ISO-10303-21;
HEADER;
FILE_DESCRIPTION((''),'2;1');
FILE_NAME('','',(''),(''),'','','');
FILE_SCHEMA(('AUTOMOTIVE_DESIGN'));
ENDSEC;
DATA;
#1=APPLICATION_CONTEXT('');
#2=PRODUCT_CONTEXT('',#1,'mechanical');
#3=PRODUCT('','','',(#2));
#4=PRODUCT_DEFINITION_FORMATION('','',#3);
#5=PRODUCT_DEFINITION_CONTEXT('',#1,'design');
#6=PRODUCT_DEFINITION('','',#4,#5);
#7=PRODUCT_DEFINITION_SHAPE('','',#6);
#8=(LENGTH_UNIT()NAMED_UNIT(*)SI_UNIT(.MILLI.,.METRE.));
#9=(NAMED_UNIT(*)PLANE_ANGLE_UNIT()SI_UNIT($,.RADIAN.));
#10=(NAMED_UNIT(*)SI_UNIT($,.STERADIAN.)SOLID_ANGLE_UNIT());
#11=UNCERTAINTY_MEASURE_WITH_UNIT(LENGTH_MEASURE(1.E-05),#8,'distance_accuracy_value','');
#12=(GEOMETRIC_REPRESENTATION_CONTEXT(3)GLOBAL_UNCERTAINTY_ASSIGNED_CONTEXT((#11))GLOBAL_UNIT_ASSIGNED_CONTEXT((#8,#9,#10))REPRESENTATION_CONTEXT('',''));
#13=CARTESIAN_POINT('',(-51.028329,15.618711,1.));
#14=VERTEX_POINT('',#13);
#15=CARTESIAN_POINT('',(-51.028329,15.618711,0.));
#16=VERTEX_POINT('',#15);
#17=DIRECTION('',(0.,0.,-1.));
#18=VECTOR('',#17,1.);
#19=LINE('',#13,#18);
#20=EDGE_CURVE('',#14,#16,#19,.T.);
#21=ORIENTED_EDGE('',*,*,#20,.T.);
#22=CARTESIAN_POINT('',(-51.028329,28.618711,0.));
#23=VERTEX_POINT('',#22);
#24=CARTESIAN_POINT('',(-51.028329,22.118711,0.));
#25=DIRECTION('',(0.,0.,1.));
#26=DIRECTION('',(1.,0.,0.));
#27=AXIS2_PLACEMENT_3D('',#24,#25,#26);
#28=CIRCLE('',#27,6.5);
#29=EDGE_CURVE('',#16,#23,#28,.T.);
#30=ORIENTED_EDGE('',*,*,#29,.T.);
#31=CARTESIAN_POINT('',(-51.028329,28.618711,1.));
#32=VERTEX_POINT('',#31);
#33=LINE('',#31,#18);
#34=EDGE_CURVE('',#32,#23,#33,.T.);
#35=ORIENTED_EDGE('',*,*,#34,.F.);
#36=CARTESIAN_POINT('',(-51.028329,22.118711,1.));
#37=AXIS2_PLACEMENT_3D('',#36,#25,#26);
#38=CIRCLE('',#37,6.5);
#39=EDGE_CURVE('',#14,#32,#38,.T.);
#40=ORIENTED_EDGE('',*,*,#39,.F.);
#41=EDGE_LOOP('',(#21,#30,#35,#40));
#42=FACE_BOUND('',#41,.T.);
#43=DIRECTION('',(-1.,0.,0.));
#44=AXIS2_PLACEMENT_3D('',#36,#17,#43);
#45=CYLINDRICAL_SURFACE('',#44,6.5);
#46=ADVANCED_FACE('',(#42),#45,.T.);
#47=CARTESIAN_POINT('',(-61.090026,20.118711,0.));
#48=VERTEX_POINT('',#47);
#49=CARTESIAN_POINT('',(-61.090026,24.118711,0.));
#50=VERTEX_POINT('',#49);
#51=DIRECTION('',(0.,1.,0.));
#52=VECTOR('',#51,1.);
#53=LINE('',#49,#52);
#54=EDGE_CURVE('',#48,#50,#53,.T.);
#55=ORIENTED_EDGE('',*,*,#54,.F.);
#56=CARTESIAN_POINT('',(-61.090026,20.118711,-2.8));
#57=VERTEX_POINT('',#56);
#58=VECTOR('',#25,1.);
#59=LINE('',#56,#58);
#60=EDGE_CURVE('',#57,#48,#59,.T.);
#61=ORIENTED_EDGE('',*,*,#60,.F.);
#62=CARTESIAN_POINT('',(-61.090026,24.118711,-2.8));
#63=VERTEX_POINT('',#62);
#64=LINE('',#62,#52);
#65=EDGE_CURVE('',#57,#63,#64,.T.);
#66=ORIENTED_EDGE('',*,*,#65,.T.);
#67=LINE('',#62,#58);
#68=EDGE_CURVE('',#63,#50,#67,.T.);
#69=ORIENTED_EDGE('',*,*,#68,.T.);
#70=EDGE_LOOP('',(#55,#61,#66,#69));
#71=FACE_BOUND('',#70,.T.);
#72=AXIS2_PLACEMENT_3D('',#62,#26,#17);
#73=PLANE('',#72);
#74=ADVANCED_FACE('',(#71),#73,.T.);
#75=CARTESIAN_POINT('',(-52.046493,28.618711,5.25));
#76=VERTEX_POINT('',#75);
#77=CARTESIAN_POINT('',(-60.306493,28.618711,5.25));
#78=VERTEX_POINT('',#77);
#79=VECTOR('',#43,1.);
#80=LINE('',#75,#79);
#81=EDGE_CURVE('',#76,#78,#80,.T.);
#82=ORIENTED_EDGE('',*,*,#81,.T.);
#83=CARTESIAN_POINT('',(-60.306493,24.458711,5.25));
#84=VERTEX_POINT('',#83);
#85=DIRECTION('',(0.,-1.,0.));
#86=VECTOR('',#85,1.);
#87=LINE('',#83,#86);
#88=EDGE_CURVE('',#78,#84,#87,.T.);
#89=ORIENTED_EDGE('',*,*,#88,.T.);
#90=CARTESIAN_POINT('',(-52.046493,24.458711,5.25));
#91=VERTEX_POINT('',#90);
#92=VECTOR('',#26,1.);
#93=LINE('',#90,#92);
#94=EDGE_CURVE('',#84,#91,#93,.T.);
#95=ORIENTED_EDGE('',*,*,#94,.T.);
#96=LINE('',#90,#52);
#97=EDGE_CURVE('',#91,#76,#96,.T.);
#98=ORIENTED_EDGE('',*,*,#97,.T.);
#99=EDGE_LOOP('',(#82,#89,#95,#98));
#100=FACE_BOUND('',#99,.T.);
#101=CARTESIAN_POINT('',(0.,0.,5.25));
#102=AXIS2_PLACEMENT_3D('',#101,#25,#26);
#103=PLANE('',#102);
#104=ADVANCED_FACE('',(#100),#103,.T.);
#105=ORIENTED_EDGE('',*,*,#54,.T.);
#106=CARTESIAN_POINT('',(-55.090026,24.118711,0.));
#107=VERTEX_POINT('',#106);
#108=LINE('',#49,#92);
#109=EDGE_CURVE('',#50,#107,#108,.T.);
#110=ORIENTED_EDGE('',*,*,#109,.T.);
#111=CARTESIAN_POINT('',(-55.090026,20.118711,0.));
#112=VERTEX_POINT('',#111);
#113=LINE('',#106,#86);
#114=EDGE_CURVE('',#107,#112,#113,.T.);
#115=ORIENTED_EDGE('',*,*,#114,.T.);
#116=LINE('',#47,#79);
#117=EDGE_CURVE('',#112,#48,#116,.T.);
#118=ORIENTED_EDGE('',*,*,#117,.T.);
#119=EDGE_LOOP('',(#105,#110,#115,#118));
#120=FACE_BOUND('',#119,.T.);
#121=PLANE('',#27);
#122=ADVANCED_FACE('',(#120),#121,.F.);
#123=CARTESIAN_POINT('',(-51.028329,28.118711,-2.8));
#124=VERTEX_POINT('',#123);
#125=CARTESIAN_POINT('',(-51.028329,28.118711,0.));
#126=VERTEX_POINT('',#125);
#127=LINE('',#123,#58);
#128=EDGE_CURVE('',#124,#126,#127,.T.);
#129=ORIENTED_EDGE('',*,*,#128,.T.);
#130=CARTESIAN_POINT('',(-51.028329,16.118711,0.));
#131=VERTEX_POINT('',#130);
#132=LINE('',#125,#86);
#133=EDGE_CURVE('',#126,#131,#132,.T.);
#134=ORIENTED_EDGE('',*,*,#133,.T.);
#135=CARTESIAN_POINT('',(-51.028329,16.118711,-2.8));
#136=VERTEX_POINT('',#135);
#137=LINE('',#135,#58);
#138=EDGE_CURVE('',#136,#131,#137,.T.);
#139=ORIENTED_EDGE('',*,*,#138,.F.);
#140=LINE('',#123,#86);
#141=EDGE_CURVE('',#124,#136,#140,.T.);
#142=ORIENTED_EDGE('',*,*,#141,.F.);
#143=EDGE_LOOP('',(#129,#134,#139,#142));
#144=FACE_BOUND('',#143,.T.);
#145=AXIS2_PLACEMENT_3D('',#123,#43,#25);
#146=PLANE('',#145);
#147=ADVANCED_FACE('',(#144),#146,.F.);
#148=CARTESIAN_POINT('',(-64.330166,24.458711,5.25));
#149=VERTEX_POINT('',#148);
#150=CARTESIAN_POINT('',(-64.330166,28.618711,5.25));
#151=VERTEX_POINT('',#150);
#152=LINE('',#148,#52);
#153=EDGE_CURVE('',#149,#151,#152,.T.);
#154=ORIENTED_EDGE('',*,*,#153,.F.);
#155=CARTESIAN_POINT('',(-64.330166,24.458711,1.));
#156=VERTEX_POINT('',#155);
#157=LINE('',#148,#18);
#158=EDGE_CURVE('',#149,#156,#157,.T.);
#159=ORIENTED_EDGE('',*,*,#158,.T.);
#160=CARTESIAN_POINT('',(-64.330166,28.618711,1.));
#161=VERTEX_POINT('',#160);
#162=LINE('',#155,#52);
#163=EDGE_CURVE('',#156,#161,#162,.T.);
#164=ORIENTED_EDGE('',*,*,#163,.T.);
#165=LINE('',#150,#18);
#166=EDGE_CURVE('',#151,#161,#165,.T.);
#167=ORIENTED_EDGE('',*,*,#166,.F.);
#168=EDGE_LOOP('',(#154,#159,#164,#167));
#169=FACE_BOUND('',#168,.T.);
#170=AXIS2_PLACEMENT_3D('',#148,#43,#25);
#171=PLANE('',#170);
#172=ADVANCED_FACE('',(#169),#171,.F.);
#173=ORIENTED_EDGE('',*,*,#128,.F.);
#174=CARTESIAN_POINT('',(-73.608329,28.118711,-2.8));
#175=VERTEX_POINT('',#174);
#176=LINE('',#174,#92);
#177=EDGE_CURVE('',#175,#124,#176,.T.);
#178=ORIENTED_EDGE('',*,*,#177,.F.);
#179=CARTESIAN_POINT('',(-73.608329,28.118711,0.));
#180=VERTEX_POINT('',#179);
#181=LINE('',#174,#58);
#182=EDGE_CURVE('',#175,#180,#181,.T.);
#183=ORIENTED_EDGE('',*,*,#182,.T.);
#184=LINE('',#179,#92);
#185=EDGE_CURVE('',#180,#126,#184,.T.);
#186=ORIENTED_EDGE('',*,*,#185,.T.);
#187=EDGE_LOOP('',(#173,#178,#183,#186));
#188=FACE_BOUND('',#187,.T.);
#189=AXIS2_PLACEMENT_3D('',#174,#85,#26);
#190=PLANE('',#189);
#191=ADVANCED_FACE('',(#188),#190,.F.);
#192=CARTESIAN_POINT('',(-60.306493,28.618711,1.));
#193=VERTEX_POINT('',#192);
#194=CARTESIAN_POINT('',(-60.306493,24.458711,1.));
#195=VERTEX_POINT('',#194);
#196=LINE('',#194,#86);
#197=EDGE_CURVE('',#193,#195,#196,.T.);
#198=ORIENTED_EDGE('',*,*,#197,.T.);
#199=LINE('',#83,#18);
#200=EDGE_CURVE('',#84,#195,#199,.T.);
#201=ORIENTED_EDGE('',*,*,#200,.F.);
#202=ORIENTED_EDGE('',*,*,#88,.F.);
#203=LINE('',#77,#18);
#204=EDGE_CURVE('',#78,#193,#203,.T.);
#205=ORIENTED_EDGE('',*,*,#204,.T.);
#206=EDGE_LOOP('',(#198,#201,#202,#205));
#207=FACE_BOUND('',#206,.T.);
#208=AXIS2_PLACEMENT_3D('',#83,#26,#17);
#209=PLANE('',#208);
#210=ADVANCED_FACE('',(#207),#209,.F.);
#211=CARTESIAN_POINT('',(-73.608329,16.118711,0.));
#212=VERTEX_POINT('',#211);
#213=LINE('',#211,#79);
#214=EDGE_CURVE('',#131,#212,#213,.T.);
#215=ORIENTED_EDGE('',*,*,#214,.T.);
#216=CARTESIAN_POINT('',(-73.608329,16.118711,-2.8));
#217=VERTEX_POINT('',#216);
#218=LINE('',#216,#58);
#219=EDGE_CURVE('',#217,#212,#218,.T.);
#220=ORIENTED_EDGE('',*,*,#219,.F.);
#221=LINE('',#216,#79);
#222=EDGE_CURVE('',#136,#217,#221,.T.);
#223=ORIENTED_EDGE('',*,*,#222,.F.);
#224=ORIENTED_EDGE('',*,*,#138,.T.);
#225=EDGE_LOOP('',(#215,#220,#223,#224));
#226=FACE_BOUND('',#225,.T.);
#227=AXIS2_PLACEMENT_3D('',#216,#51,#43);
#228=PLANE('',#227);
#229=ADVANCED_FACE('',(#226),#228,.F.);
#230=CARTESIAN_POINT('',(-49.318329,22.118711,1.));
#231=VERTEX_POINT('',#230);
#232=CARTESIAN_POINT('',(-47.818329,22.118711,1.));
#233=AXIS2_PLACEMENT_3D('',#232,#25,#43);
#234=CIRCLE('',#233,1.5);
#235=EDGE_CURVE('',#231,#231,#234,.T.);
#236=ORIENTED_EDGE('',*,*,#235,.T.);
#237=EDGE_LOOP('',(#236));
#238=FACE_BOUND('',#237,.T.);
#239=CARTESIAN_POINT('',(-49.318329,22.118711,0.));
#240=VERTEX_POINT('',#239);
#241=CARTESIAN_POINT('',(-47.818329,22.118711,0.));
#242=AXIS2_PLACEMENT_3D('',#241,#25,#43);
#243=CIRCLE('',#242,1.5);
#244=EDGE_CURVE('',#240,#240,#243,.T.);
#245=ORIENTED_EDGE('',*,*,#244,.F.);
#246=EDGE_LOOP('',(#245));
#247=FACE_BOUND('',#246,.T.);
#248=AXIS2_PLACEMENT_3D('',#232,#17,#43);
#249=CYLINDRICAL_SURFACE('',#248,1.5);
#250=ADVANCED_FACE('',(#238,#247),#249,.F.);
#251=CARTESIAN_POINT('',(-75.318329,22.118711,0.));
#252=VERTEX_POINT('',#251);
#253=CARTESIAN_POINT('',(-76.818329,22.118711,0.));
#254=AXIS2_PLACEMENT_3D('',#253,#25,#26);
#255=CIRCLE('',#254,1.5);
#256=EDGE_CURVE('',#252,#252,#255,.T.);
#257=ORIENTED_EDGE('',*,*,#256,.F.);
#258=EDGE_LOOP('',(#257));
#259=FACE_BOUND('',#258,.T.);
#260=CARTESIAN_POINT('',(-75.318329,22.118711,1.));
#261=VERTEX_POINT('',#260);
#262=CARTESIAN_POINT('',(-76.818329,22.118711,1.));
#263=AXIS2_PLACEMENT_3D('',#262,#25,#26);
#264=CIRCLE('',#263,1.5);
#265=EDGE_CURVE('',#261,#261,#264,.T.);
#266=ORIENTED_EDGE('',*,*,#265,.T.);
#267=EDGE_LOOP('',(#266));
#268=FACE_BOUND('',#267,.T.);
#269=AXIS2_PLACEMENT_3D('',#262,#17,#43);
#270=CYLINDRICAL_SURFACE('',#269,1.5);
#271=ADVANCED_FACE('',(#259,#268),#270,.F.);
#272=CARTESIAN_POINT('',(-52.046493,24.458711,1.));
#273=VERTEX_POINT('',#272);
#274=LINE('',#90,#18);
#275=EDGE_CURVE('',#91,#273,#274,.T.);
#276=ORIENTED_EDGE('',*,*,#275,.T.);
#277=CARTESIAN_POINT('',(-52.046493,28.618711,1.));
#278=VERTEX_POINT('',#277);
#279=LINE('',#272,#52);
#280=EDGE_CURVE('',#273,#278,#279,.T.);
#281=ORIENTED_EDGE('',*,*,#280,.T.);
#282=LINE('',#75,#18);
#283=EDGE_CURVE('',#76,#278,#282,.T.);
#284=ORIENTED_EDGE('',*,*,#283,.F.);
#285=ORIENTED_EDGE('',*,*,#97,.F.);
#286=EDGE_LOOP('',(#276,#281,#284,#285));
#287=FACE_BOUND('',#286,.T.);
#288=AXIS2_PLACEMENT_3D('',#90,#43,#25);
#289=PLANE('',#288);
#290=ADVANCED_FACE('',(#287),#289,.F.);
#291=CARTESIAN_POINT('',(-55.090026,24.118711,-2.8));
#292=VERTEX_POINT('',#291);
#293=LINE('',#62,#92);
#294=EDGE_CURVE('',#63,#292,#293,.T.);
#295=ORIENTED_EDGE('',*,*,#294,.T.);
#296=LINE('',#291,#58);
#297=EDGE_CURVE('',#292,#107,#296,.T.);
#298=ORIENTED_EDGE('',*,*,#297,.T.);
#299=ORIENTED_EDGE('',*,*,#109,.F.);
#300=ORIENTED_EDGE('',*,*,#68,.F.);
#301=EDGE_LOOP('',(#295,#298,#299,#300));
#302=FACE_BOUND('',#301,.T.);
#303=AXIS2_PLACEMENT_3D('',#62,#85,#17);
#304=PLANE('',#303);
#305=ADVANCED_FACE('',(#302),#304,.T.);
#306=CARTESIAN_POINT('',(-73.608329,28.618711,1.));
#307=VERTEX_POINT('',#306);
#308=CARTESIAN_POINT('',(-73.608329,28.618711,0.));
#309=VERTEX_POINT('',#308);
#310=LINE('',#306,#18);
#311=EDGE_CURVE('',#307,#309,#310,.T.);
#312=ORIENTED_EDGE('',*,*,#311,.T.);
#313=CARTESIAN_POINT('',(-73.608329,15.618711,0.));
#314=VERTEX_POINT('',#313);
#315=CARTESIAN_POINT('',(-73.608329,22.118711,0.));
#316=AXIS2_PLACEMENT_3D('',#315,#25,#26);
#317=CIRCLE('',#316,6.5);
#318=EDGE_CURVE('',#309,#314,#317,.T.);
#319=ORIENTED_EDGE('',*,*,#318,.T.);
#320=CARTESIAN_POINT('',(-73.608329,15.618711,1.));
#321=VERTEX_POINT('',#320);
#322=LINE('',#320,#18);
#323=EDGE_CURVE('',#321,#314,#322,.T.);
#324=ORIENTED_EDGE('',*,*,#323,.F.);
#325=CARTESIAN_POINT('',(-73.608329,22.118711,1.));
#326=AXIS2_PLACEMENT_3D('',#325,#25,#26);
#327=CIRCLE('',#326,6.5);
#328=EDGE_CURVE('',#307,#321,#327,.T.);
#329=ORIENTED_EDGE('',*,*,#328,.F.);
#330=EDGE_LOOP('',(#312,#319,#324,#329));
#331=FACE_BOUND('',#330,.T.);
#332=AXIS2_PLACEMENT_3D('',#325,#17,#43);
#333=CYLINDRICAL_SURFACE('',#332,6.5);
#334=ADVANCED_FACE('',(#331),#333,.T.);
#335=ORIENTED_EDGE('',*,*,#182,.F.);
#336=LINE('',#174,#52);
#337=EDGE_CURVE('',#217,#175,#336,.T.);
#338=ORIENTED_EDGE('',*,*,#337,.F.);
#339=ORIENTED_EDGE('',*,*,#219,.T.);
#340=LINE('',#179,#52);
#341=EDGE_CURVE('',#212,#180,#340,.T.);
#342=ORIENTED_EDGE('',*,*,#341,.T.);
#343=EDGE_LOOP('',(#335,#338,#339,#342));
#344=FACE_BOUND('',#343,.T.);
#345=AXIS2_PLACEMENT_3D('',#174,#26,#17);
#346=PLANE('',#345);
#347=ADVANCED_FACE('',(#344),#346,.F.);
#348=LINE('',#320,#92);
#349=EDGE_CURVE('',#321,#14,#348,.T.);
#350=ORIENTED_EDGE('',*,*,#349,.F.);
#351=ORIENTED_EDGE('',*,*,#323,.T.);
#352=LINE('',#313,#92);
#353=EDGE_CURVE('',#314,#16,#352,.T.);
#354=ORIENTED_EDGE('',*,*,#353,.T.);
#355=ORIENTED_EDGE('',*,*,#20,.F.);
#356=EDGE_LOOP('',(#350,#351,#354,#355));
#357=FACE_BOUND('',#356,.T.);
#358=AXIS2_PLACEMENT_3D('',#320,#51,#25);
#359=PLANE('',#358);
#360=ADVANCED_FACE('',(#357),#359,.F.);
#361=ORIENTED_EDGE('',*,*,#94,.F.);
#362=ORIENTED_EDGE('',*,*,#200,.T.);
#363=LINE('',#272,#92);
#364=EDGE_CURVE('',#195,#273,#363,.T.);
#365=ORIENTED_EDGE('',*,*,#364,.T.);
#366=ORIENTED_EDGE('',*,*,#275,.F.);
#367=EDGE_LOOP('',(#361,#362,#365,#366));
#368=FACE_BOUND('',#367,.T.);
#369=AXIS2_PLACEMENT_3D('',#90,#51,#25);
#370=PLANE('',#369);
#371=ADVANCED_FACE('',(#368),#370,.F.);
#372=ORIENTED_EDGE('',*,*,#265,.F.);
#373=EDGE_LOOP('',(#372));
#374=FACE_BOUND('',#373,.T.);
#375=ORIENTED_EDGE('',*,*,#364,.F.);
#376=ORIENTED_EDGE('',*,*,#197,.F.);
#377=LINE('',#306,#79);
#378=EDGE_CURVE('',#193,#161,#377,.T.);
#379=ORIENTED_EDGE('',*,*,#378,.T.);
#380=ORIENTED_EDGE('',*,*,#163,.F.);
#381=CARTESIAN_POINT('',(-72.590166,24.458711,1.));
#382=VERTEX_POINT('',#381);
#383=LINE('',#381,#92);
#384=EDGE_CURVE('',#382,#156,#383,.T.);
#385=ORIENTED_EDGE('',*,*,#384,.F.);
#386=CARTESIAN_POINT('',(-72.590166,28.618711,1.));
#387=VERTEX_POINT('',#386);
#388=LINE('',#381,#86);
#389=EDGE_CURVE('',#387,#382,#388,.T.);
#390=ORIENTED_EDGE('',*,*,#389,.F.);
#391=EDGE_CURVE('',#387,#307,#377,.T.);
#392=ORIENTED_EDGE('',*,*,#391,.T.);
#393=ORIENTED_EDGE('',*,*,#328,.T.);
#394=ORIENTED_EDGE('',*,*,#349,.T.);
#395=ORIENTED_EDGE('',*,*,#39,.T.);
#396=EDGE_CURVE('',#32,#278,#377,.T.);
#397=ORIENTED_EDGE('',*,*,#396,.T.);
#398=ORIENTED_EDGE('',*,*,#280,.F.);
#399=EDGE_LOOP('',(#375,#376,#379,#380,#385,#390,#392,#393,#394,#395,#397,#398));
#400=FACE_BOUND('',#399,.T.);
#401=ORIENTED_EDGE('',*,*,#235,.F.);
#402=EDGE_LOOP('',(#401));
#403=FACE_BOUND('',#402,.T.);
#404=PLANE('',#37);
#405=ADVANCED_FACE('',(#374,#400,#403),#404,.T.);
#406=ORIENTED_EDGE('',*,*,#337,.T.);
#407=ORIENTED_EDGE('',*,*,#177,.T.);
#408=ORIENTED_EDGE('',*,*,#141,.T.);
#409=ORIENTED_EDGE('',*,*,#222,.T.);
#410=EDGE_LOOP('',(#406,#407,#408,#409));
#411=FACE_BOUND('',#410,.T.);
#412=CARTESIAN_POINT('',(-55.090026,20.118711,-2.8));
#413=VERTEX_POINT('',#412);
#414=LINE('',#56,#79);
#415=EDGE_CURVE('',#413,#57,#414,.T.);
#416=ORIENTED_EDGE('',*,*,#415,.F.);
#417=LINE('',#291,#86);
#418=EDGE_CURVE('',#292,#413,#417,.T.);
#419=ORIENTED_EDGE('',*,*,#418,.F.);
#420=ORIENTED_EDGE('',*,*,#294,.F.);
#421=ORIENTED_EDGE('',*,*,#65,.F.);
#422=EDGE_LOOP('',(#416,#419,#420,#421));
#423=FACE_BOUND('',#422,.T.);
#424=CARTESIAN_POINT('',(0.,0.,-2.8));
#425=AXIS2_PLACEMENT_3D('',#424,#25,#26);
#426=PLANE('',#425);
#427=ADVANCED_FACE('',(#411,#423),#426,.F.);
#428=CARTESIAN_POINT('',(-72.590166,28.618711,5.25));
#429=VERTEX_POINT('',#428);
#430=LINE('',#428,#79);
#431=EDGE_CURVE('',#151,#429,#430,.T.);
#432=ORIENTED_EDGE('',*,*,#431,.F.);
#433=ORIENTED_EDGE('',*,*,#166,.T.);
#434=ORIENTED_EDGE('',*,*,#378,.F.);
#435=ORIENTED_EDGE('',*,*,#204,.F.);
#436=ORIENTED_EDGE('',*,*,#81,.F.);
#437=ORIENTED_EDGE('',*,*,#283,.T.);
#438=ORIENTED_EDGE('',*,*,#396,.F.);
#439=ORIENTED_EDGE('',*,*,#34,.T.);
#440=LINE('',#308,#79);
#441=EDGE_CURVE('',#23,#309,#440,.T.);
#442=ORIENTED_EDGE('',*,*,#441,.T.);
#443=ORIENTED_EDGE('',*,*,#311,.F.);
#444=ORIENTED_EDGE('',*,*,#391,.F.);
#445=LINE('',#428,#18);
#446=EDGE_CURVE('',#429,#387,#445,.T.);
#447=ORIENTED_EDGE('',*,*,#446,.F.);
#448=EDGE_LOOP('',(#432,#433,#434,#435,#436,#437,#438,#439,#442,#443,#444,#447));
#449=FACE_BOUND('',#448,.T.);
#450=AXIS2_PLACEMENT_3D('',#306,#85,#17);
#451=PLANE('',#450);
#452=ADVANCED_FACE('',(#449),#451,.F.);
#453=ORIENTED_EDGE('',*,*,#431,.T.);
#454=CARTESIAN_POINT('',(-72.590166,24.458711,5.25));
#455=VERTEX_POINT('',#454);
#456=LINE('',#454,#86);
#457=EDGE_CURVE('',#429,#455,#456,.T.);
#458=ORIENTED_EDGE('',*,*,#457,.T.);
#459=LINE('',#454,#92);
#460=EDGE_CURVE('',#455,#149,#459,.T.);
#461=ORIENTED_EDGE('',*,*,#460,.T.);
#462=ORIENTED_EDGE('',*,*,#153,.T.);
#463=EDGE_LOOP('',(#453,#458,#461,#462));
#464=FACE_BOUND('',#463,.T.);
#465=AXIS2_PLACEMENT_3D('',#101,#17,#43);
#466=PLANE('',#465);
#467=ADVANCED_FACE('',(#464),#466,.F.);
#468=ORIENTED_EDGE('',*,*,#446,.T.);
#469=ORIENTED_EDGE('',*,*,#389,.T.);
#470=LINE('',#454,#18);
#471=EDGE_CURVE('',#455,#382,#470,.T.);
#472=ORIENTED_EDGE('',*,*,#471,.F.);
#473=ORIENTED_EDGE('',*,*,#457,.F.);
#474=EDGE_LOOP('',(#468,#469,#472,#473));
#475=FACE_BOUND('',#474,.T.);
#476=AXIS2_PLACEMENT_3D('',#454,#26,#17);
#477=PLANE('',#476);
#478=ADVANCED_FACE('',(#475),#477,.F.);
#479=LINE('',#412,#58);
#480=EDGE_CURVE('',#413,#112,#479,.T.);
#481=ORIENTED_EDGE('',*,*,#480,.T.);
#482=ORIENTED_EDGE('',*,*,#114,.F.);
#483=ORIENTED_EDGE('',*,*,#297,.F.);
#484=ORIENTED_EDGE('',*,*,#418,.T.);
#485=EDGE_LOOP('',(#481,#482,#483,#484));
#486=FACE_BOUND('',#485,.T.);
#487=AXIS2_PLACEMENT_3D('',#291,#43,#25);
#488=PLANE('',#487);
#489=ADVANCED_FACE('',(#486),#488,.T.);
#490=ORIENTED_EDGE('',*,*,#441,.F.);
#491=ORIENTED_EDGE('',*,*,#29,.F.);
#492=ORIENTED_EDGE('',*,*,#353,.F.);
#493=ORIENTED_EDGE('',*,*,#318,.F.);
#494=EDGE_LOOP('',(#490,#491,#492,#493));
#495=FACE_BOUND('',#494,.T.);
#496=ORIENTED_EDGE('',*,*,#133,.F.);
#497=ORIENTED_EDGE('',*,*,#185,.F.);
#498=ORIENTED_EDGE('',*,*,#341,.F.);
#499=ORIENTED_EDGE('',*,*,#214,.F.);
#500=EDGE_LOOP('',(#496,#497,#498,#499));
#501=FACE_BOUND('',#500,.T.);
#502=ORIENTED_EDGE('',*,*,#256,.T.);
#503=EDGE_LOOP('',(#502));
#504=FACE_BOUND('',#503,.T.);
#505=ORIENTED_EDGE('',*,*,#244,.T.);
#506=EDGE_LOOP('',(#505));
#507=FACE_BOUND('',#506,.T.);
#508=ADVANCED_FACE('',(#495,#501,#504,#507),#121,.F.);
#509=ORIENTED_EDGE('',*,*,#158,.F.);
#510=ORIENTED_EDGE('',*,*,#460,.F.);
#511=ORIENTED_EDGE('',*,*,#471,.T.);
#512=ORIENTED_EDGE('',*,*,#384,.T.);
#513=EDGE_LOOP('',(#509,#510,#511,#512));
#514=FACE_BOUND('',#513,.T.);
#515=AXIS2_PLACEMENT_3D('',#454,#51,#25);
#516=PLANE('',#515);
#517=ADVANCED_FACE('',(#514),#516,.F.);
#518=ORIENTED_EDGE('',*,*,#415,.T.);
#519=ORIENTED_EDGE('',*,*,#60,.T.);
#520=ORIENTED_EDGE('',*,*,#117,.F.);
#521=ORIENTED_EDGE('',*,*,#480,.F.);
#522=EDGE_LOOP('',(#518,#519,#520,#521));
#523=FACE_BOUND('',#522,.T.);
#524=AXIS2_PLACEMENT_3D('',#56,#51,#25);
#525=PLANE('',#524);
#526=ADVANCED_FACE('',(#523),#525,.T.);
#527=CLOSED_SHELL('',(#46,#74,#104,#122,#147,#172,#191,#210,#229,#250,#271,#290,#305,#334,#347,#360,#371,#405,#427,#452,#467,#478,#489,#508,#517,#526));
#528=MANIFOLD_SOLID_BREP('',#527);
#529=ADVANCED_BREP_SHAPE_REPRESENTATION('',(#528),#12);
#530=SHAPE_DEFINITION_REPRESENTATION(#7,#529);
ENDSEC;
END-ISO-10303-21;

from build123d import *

# Parameters (mm, degrees)
SKETCH1_R           = 1.5
BOSS_EXTRUDE1_DEPTH = 1
SKETCH3_W           = 22.58
SKETCH3_H           = 12
SKETCH3_W_2         = 6
SKETCH3_H_2         = 4
BOSS_EXTRUDE2_DEPTH = 2.8
SKETCH4_W           = 8.26
SKETCH4_H           = 4.16
BOSS_EXTRUDE3_DEPTH = 4.25


with BuildPart() as part:
    # Sketch1 → Boss-Extrude1 (new body)
    with BuildSketch(Plane.XY):
        with BuildLine():
            Line((-73.608329156, 15.618710575), (-51.028329156, 15.618710575))
            ThreePointArc((-51.028329156, 15.618710575), (-44.528329156, 22.118710575), (-51.028329156, 28.618710575))
            Line((-51.028329156, 28.618710575), (-73.608329156, 28.618710575))
            ThreePointArc((-73.608329156, 28.618710575), (-80.108329156, 22.118710575), (-73.608329156, 15.618710575))
        make_face()
        with Locations((-76.818329156, 22.118710575)):
            Circle(SKETCH1_R, mode=Mode.SUBTRACT)
        with Locations(Location((-47.818329156, 22.118710575, 0), (0, 0, 180))):
            Circle(SKETCH1_R, mode=Mode.SUBTRACT)
    extrude(amount=BOSS_EXTRUDE1_DEPTH)

    # Sketch3 → Boss-Extrude2 (add)
    with BuildSketch(Plane(origin=(0, 0, 0), x_dir=(-1, 0, 0), z_dir=(0, 0, -1))):
        with Locations((62.318329156, 22.118710575)):
            Rectangle(SKETCH3_W, SKETCH3_H)
        with Locations((58.090026235, 22.118710575)):
            Rectangle(SKETCH3_W_2, SKETCH3_H_2, mode=Mode.SUBTRACT)
    extrude(amount=BOSS_EXTRUDE2_DEPTH)

    # Sketch4 → Boss-Extrude3 (add)
    with BuildSketch(Plane.XY.offset(1)):
        with Locations((-68.460165602, 26.538710575)):
            Rectangle(SKETCH4_W, SKETCH4_H)
        with Locations((-56.176492709, 26.538710575)):
            Rectangle(SKETCH4_W, SKETCH4_H)
    extrude(amount=BOSS_EXTRUDE3_DEPTH)


solid = part.part
